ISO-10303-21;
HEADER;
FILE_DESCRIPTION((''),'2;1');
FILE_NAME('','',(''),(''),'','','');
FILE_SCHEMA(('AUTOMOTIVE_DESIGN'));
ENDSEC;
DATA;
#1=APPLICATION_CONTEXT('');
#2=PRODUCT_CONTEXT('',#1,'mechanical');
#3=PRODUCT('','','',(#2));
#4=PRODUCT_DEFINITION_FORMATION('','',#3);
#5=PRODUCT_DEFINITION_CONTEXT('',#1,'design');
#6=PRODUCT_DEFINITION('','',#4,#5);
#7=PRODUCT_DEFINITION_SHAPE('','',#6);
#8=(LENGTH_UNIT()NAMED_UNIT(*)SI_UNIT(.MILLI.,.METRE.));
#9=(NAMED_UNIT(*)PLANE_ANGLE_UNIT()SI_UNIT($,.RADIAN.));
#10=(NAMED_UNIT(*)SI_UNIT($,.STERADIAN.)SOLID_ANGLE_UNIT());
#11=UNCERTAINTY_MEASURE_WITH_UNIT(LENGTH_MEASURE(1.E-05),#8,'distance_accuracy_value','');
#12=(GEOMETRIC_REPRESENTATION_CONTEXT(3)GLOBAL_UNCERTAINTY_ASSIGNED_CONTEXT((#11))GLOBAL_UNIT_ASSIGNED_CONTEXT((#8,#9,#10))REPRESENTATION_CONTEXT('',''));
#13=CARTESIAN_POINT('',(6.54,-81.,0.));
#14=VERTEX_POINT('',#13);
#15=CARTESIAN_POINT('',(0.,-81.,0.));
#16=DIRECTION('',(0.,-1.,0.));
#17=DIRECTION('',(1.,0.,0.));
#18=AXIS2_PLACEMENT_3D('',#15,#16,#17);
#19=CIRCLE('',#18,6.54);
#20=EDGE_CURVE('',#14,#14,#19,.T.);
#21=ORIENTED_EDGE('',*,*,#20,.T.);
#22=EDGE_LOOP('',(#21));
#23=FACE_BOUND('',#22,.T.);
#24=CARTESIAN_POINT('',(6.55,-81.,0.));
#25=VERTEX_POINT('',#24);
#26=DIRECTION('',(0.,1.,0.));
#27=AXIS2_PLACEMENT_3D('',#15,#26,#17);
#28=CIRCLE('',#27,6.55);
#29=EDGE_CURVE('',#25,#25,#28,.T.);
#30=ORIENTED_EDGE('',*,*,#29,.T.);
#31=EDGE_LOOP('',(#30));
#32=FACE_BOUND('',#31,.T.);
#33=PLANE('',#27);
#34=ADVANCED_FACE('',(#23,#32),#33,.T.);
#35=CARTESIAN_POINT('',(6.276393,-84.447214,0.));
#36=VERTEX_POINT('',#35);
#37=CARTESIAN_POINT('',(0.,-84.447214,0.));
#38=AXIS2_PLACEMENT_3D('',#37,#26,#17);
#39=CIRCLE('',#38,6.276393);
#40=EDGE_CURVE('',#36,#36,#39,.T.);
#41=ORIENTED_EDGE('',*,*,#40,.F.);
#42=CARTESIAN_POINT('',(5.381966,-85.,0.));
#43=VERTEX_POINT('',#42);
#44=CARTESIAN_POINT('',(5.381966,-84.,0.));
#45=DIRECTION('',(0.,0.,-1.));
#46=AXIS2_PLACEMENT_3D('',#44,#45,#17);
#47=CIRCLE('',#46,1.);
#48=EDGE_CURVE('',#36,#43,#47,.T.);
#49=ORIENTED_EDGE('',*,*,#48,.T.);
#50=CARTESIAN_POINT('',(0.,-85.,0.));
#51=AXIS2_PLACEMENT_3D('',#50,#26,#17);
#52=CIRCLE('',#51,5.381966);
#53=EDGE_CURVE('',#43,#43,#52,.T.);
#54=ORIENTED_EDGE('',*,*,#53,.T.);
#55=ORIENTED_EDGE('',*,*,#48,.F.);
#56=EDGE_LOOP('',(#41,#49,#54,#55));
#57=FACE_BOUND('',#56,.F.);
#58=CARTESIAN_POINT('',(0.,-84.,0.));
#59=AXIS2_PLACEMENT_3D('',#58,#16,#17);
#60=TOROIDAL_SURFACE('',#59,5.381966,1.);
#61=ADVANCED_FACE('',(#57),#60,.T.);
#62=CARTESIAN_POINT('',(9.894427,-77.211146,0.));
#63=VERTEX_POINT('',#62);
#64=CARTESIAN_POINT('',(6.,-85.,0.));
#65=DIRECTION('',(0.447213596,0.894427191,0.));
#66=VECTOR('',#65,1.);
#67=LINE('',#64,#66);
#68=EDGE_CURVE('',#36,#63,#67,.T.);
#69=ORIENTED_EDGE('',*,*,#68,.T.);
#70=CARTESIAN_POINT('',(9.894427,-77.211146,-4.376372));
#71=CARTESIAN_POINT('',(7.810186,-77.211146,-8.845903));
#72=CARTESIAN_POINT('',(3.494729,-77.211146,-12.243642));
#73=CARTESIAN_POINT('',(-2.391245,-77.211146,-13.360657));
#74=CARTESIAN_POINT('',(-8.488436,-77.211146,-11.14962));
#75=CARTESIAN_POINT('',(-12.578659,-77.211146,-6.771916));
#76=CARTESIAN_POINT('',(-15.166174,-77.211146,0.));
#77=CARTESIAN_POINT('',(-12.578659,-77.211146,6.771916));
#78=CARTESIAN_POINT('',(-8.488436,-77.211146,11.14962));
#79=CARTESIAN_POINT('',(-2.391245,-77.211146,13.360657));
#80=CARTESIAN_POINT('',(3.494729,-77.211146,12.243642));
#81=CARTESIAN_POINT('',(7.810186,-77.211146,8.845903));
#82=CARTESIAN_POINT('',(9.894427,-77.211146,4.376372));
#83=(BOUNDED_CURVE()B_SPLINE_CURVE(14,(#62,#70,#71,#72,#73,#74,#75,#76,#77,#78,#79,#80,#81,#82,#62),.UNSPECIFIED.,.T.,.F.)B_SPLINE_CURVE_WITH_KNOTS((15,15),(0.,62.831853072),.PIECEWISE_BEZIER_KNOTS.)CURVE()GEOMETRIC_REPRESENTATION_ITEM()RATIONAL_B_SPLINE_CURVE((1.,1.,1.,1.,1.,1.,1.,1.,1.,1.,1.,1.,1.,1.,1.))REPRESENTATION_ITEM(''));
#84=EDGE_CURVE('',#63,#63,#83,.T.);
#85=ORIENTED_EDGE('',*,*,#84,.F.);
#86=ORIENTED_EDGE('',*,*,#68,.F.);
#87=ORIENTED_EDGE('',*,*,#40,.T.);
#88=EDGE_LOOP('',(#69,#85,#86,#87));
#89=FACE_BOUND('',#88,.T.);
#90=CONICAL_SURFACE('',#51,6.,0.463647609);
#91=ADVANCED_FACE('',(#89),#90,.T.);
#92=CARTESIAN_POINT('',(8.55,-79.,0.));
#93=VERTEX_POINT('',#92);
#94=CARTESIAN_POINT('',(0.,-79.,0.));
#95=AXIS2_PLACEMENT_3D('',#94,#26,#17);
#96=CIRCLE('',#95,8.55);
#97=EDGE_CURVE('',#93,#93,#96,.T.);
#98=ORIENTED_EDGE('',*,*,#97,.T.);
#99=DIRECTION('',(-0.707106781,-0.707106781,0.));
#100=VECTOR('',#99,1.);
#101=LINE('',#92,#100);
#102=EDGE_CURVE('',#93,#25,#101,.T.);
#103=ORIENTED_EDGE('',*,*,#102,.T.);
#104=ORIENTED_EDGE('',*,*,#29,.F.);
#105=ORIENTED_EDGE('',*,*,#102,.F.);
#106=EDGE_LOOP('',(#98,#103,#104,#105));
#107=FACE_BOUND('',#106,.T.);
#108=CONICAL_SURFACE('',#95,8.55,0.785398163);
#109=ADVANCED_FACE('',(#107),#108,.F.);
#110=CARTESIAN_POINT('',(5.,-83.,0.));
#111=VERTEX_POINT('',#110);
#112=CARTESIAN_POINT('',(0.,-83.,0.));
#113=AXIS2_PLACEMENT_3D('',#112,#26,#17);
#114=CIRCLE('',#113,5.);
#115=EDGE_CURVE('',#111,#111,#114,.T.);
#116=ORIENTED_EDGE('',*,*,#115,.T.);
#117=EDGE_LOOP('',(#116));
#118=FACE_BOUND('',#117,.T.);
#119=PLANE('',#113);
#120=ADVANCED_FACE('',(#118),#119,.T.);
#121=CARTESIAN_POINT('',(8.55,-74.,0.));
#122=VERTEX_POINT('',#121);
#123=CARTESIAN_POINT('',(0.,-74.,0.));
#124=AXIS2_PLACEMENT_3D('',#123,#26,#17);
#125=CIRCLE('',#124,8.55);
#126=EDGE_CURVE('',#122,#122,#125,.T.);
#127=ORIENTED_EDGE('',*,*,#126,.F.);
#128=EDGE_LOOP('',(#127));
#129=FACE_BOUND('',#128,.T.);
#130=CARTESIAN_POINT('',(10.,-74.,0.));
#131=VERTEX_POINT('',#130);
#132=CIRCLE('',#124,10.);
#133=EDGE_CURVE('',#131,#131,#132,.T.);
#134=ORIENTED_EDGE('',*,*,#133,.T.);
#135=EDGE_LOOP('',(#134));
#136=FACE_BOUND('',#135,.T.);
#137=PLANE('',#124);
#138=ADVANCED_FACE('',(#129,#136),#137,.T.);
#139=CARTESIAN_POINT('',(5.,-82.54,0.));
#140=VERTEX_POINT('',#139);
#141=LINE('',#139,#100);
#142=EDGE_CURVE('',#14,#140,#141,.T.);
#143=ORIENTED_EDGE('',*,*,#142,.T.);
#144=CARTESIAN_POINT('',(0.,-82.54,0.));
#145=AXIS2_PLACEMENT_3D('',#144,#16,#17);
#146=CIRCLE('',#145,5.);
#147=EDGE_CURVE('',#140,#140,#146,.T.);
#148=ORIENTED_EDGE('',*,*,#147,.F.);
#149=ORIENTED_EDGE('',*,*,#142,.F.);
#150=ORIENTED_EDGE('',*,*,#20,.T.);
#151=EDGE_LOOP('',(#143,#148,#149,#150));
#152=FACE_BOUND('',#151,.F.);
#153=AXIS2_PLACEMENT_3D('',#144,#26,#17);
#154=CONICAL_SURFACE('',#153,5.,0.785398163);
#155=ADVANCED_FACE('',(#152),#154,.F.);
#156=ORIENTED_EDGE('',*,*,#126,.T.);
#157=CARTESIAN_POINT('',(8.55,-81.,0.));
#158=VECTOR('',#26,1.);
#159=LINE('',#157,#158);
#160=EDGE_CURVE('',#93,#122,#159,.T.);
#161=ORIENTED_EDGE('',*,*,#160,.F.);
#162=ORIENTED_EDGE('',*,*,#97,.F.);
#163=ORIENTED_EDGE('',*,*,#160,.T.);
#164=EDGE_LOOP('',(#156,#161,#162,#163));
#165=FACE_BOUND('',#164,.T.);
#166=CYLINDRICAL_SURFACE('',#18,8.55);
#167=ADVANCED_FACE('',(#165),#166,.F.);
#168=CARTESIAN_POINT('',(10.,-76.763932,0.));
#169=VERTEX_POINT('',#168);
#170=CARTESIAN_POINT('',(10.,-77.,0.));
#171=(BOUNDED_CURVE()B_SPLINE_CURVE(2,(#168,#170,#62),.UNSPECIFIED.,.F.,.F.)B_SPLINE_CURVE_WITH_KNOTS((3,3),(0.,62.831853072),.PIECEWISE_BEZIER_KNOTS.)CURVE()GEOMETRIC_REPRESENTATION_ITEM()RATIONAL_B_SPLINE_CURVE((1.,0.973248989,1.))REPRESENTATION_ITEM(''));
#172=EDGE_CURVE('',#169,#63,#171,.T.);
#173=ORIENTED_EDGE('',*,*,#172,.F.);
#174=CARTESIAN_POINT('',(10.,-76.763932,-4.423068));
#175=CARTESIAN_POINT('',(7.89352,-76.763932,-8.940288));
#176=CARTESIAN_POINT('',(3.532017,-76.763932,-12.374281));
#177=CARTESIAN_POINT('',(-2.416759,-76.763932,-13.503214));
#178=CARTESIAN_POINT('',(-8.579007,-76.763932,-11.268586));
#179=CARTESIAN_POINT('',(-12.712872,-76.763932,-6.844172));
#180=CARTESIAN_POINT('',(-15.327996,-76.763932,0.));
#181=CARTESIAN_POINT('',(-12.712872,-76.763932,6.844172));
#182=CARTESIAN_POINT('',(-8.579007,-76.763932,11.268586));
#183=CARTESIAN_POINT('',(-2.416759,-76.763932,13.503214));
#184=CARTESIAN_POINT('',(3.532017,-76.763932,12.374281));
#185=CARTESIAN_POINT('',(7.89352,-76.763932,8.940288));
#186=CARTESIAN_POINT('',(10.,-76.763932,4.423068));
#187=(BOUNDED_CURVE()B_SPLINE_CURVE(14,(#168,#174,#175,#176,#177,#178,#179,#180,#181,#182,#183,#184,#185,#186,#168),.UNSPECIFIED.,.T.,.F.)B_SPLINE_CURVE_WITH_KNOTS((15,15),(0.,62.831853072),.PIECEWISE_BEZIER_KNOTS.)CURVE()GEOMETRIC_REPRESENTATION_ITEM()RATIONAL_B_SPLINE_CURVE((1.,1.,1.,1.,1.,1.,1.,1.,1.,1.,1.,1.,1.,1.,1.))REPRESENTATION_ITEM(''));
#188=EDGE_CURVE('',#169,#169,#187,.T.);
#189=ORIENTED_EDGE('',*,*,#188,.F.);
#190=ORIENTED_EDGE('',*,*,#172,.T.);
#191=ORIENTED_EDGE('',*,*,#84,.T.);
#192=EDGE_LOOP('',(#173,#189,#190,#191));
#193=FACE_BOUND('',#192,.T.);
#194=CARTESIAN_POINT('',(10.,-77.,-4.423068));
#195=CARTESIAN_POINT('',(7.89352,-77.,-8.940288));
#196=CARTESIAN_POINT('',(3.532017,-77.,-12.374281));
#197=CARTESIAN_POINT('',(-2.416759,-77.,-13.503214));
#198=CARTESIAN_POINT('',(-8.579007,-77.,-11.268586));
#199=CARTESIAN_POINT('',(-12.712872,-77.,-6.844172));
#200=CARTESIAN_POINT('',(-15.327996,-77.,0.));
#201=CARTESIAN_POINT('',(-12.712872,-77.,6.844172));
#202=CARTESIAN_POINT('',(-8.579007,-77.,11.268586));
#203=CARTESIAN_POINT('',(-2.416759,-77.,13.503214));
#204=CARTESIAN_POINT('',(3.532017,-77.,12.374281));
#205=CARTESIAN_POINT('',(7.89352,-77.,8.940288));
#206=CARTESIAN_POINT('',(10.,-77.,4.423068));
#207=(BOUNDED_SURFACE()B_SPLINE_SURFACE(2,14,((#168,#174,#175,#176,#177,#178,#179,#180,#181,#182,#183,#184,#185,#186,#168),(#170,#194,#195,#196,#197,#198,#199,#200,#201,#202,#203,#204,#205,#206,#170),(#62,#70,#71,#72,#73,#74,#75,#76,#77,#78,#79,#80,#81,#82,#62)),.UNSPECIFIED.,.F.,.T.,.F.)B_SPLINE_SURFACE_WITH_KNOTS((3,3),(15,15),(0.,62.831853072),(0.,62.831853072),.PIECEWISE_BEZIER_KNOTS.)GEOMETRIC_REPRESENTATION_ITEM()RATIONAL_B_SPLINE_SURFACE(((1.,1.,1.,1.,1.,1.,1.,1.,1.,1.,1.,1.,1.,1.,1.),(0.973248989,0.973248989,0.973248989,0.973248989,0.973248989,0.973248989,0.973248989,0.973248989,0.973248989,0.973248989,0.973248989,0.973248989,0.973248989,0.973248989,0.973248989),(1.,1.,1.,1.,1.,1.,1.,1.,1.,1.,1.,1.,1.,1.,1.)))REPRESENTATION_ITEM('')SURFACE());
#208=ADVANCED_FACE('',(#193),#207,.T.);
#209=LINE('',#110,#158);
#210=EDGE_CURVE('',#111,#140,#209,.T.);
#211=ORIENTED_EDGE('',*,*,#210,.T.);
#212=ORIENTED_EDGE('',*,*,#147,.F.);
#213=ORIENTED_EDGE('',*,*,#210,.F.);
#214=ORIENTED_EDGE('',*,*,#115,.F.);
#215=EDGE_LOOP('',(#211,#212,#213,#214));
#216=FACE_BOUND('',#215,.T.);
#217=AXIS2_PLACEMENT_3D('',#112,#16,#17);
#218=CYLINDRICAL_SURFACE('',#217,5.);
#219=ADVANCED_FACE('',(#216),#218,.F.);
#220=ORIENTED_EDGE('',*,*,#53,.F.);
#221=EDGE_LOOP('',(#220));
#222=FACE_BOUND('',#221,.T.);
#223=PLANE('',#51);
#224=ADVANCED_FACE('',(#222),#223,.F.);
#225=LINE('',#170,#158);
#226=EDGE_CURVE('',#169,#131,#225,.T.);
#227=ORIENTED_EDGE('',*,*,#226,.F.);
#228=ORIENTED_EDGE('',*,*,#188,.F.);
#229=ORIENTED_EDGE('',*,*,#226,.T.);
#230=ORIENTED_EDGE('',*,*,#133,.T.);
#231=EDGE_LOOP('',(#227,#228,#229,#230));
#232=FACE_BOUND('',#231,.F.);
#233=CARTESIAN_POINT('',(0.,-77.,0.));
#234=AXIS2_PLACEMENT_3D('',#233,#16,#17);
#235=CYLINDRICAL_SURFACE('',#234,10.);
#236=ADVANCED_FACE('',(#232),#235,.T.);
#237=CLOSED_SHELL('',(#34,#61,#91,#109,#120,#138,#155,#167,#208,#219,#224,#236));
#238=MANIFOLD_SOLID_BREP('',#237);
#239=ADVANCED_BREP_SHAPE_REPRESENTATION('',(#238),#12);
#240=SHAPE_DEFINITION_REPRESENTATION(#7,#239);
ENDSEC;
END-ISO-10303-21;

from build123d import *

# Parameters (mm, degrees)
CYLINDER119_R             = 5
CYLINDER119_DEPTH         = 7
CYLINDER118_R             = 8.55
CYLINDER118_DEPTH         = 7
CHAMFER005_SIZE           = 2
CYLINDER117_R             = 10
CYLINDER117_DEPTH         = 3
CHAMFER006_SIZE           = 1.54
FILLET006_R               = 1
FILLET006_PLACEMENT_ANGLE = 90


with BuildPart() as cylinder119:
    # Cylinder119 → Cylinder119 (new body)
    with BuildSketch(Plane.XY.offset(5)):
        Circle(CYLINDER119_R)
    extrude(amount=CYLINDER119_DEPTH)


with BuildPart() as fusion112:
    # Cylinder118 → Cylinder118 (new body)
    with BuildSketch(Plane.XY.offset(7)):
        Circle(CYLINDER118_R)
    extrude(amount=CYLINDER118_DEPTH)

    # Chamfer005
    chamfer005_edges = [fusion112.edges().sort_by_distance(p)[0] for p in [
        (-8.55, 0, 7),
    ]]
    chamfer(chamfer005_edges, length=CHAMFER005_SIZE)

    # Fusion112: union Cylinder119
    add(cylinder119.part)


with BuildPart() as cylinder117:
    # Cylinder117 → Cylinder117 (new body)
    with BuildSketch(Plane.XY.offset(11)):
        Circle(CYLINDER117_R)
    extrude(amount=CYLINDER117_DEPTH)


with BuildPart() as hub_wide_cap_left:
    # Cone → Cone (revolve)
    with BuildSketch(Plane(origin=(0, 0, 3), x_dir=(1, 0, 0), z_dir=(0, -1, 0))):
        Polygon((0, 0), (6, 0), (10, 8), (0, 8), align=None)
    revolve(axis=Axis((0, 0, 3), (0, 0, 1)))

    # Fusion111: union Cylinder117
    add(cylinder117.part)

    # Cut039: cut Fusion112
    add(fusion112.part, mode=Mode.SUBTRACT)

    # Chamfer006
    chamfer006_edges = [hub_wide_cap_left.edges().sort_by_distance(p)[0] for p in [
        (-5, 0, 7),
    ]]
    chamfer(chamfer006_edges, length=CHAMFER006_SIZE)

    # Fillet006
    fillet006_edges = [hub_wide_cap_left.edges().sort_by_distance(p)[0] for p in [
        (-10, 0, 11),
        (-6, 0, 3),
    ]]
    fillet(fillet006_edges, radius=FILLET006_R)


with BuildPart() as hub_wide_cap_left_1:
    # Fillet006 placement: moved
    add(hub_wide_cap_left.part.moved(Location((0, -88, 0))).rotate(Axis((0, -88, 0), (-1, 0, 0)), FILLET006_PLACEMENT_ANGLE))


solid = hub_wide_cap_left_1.part
